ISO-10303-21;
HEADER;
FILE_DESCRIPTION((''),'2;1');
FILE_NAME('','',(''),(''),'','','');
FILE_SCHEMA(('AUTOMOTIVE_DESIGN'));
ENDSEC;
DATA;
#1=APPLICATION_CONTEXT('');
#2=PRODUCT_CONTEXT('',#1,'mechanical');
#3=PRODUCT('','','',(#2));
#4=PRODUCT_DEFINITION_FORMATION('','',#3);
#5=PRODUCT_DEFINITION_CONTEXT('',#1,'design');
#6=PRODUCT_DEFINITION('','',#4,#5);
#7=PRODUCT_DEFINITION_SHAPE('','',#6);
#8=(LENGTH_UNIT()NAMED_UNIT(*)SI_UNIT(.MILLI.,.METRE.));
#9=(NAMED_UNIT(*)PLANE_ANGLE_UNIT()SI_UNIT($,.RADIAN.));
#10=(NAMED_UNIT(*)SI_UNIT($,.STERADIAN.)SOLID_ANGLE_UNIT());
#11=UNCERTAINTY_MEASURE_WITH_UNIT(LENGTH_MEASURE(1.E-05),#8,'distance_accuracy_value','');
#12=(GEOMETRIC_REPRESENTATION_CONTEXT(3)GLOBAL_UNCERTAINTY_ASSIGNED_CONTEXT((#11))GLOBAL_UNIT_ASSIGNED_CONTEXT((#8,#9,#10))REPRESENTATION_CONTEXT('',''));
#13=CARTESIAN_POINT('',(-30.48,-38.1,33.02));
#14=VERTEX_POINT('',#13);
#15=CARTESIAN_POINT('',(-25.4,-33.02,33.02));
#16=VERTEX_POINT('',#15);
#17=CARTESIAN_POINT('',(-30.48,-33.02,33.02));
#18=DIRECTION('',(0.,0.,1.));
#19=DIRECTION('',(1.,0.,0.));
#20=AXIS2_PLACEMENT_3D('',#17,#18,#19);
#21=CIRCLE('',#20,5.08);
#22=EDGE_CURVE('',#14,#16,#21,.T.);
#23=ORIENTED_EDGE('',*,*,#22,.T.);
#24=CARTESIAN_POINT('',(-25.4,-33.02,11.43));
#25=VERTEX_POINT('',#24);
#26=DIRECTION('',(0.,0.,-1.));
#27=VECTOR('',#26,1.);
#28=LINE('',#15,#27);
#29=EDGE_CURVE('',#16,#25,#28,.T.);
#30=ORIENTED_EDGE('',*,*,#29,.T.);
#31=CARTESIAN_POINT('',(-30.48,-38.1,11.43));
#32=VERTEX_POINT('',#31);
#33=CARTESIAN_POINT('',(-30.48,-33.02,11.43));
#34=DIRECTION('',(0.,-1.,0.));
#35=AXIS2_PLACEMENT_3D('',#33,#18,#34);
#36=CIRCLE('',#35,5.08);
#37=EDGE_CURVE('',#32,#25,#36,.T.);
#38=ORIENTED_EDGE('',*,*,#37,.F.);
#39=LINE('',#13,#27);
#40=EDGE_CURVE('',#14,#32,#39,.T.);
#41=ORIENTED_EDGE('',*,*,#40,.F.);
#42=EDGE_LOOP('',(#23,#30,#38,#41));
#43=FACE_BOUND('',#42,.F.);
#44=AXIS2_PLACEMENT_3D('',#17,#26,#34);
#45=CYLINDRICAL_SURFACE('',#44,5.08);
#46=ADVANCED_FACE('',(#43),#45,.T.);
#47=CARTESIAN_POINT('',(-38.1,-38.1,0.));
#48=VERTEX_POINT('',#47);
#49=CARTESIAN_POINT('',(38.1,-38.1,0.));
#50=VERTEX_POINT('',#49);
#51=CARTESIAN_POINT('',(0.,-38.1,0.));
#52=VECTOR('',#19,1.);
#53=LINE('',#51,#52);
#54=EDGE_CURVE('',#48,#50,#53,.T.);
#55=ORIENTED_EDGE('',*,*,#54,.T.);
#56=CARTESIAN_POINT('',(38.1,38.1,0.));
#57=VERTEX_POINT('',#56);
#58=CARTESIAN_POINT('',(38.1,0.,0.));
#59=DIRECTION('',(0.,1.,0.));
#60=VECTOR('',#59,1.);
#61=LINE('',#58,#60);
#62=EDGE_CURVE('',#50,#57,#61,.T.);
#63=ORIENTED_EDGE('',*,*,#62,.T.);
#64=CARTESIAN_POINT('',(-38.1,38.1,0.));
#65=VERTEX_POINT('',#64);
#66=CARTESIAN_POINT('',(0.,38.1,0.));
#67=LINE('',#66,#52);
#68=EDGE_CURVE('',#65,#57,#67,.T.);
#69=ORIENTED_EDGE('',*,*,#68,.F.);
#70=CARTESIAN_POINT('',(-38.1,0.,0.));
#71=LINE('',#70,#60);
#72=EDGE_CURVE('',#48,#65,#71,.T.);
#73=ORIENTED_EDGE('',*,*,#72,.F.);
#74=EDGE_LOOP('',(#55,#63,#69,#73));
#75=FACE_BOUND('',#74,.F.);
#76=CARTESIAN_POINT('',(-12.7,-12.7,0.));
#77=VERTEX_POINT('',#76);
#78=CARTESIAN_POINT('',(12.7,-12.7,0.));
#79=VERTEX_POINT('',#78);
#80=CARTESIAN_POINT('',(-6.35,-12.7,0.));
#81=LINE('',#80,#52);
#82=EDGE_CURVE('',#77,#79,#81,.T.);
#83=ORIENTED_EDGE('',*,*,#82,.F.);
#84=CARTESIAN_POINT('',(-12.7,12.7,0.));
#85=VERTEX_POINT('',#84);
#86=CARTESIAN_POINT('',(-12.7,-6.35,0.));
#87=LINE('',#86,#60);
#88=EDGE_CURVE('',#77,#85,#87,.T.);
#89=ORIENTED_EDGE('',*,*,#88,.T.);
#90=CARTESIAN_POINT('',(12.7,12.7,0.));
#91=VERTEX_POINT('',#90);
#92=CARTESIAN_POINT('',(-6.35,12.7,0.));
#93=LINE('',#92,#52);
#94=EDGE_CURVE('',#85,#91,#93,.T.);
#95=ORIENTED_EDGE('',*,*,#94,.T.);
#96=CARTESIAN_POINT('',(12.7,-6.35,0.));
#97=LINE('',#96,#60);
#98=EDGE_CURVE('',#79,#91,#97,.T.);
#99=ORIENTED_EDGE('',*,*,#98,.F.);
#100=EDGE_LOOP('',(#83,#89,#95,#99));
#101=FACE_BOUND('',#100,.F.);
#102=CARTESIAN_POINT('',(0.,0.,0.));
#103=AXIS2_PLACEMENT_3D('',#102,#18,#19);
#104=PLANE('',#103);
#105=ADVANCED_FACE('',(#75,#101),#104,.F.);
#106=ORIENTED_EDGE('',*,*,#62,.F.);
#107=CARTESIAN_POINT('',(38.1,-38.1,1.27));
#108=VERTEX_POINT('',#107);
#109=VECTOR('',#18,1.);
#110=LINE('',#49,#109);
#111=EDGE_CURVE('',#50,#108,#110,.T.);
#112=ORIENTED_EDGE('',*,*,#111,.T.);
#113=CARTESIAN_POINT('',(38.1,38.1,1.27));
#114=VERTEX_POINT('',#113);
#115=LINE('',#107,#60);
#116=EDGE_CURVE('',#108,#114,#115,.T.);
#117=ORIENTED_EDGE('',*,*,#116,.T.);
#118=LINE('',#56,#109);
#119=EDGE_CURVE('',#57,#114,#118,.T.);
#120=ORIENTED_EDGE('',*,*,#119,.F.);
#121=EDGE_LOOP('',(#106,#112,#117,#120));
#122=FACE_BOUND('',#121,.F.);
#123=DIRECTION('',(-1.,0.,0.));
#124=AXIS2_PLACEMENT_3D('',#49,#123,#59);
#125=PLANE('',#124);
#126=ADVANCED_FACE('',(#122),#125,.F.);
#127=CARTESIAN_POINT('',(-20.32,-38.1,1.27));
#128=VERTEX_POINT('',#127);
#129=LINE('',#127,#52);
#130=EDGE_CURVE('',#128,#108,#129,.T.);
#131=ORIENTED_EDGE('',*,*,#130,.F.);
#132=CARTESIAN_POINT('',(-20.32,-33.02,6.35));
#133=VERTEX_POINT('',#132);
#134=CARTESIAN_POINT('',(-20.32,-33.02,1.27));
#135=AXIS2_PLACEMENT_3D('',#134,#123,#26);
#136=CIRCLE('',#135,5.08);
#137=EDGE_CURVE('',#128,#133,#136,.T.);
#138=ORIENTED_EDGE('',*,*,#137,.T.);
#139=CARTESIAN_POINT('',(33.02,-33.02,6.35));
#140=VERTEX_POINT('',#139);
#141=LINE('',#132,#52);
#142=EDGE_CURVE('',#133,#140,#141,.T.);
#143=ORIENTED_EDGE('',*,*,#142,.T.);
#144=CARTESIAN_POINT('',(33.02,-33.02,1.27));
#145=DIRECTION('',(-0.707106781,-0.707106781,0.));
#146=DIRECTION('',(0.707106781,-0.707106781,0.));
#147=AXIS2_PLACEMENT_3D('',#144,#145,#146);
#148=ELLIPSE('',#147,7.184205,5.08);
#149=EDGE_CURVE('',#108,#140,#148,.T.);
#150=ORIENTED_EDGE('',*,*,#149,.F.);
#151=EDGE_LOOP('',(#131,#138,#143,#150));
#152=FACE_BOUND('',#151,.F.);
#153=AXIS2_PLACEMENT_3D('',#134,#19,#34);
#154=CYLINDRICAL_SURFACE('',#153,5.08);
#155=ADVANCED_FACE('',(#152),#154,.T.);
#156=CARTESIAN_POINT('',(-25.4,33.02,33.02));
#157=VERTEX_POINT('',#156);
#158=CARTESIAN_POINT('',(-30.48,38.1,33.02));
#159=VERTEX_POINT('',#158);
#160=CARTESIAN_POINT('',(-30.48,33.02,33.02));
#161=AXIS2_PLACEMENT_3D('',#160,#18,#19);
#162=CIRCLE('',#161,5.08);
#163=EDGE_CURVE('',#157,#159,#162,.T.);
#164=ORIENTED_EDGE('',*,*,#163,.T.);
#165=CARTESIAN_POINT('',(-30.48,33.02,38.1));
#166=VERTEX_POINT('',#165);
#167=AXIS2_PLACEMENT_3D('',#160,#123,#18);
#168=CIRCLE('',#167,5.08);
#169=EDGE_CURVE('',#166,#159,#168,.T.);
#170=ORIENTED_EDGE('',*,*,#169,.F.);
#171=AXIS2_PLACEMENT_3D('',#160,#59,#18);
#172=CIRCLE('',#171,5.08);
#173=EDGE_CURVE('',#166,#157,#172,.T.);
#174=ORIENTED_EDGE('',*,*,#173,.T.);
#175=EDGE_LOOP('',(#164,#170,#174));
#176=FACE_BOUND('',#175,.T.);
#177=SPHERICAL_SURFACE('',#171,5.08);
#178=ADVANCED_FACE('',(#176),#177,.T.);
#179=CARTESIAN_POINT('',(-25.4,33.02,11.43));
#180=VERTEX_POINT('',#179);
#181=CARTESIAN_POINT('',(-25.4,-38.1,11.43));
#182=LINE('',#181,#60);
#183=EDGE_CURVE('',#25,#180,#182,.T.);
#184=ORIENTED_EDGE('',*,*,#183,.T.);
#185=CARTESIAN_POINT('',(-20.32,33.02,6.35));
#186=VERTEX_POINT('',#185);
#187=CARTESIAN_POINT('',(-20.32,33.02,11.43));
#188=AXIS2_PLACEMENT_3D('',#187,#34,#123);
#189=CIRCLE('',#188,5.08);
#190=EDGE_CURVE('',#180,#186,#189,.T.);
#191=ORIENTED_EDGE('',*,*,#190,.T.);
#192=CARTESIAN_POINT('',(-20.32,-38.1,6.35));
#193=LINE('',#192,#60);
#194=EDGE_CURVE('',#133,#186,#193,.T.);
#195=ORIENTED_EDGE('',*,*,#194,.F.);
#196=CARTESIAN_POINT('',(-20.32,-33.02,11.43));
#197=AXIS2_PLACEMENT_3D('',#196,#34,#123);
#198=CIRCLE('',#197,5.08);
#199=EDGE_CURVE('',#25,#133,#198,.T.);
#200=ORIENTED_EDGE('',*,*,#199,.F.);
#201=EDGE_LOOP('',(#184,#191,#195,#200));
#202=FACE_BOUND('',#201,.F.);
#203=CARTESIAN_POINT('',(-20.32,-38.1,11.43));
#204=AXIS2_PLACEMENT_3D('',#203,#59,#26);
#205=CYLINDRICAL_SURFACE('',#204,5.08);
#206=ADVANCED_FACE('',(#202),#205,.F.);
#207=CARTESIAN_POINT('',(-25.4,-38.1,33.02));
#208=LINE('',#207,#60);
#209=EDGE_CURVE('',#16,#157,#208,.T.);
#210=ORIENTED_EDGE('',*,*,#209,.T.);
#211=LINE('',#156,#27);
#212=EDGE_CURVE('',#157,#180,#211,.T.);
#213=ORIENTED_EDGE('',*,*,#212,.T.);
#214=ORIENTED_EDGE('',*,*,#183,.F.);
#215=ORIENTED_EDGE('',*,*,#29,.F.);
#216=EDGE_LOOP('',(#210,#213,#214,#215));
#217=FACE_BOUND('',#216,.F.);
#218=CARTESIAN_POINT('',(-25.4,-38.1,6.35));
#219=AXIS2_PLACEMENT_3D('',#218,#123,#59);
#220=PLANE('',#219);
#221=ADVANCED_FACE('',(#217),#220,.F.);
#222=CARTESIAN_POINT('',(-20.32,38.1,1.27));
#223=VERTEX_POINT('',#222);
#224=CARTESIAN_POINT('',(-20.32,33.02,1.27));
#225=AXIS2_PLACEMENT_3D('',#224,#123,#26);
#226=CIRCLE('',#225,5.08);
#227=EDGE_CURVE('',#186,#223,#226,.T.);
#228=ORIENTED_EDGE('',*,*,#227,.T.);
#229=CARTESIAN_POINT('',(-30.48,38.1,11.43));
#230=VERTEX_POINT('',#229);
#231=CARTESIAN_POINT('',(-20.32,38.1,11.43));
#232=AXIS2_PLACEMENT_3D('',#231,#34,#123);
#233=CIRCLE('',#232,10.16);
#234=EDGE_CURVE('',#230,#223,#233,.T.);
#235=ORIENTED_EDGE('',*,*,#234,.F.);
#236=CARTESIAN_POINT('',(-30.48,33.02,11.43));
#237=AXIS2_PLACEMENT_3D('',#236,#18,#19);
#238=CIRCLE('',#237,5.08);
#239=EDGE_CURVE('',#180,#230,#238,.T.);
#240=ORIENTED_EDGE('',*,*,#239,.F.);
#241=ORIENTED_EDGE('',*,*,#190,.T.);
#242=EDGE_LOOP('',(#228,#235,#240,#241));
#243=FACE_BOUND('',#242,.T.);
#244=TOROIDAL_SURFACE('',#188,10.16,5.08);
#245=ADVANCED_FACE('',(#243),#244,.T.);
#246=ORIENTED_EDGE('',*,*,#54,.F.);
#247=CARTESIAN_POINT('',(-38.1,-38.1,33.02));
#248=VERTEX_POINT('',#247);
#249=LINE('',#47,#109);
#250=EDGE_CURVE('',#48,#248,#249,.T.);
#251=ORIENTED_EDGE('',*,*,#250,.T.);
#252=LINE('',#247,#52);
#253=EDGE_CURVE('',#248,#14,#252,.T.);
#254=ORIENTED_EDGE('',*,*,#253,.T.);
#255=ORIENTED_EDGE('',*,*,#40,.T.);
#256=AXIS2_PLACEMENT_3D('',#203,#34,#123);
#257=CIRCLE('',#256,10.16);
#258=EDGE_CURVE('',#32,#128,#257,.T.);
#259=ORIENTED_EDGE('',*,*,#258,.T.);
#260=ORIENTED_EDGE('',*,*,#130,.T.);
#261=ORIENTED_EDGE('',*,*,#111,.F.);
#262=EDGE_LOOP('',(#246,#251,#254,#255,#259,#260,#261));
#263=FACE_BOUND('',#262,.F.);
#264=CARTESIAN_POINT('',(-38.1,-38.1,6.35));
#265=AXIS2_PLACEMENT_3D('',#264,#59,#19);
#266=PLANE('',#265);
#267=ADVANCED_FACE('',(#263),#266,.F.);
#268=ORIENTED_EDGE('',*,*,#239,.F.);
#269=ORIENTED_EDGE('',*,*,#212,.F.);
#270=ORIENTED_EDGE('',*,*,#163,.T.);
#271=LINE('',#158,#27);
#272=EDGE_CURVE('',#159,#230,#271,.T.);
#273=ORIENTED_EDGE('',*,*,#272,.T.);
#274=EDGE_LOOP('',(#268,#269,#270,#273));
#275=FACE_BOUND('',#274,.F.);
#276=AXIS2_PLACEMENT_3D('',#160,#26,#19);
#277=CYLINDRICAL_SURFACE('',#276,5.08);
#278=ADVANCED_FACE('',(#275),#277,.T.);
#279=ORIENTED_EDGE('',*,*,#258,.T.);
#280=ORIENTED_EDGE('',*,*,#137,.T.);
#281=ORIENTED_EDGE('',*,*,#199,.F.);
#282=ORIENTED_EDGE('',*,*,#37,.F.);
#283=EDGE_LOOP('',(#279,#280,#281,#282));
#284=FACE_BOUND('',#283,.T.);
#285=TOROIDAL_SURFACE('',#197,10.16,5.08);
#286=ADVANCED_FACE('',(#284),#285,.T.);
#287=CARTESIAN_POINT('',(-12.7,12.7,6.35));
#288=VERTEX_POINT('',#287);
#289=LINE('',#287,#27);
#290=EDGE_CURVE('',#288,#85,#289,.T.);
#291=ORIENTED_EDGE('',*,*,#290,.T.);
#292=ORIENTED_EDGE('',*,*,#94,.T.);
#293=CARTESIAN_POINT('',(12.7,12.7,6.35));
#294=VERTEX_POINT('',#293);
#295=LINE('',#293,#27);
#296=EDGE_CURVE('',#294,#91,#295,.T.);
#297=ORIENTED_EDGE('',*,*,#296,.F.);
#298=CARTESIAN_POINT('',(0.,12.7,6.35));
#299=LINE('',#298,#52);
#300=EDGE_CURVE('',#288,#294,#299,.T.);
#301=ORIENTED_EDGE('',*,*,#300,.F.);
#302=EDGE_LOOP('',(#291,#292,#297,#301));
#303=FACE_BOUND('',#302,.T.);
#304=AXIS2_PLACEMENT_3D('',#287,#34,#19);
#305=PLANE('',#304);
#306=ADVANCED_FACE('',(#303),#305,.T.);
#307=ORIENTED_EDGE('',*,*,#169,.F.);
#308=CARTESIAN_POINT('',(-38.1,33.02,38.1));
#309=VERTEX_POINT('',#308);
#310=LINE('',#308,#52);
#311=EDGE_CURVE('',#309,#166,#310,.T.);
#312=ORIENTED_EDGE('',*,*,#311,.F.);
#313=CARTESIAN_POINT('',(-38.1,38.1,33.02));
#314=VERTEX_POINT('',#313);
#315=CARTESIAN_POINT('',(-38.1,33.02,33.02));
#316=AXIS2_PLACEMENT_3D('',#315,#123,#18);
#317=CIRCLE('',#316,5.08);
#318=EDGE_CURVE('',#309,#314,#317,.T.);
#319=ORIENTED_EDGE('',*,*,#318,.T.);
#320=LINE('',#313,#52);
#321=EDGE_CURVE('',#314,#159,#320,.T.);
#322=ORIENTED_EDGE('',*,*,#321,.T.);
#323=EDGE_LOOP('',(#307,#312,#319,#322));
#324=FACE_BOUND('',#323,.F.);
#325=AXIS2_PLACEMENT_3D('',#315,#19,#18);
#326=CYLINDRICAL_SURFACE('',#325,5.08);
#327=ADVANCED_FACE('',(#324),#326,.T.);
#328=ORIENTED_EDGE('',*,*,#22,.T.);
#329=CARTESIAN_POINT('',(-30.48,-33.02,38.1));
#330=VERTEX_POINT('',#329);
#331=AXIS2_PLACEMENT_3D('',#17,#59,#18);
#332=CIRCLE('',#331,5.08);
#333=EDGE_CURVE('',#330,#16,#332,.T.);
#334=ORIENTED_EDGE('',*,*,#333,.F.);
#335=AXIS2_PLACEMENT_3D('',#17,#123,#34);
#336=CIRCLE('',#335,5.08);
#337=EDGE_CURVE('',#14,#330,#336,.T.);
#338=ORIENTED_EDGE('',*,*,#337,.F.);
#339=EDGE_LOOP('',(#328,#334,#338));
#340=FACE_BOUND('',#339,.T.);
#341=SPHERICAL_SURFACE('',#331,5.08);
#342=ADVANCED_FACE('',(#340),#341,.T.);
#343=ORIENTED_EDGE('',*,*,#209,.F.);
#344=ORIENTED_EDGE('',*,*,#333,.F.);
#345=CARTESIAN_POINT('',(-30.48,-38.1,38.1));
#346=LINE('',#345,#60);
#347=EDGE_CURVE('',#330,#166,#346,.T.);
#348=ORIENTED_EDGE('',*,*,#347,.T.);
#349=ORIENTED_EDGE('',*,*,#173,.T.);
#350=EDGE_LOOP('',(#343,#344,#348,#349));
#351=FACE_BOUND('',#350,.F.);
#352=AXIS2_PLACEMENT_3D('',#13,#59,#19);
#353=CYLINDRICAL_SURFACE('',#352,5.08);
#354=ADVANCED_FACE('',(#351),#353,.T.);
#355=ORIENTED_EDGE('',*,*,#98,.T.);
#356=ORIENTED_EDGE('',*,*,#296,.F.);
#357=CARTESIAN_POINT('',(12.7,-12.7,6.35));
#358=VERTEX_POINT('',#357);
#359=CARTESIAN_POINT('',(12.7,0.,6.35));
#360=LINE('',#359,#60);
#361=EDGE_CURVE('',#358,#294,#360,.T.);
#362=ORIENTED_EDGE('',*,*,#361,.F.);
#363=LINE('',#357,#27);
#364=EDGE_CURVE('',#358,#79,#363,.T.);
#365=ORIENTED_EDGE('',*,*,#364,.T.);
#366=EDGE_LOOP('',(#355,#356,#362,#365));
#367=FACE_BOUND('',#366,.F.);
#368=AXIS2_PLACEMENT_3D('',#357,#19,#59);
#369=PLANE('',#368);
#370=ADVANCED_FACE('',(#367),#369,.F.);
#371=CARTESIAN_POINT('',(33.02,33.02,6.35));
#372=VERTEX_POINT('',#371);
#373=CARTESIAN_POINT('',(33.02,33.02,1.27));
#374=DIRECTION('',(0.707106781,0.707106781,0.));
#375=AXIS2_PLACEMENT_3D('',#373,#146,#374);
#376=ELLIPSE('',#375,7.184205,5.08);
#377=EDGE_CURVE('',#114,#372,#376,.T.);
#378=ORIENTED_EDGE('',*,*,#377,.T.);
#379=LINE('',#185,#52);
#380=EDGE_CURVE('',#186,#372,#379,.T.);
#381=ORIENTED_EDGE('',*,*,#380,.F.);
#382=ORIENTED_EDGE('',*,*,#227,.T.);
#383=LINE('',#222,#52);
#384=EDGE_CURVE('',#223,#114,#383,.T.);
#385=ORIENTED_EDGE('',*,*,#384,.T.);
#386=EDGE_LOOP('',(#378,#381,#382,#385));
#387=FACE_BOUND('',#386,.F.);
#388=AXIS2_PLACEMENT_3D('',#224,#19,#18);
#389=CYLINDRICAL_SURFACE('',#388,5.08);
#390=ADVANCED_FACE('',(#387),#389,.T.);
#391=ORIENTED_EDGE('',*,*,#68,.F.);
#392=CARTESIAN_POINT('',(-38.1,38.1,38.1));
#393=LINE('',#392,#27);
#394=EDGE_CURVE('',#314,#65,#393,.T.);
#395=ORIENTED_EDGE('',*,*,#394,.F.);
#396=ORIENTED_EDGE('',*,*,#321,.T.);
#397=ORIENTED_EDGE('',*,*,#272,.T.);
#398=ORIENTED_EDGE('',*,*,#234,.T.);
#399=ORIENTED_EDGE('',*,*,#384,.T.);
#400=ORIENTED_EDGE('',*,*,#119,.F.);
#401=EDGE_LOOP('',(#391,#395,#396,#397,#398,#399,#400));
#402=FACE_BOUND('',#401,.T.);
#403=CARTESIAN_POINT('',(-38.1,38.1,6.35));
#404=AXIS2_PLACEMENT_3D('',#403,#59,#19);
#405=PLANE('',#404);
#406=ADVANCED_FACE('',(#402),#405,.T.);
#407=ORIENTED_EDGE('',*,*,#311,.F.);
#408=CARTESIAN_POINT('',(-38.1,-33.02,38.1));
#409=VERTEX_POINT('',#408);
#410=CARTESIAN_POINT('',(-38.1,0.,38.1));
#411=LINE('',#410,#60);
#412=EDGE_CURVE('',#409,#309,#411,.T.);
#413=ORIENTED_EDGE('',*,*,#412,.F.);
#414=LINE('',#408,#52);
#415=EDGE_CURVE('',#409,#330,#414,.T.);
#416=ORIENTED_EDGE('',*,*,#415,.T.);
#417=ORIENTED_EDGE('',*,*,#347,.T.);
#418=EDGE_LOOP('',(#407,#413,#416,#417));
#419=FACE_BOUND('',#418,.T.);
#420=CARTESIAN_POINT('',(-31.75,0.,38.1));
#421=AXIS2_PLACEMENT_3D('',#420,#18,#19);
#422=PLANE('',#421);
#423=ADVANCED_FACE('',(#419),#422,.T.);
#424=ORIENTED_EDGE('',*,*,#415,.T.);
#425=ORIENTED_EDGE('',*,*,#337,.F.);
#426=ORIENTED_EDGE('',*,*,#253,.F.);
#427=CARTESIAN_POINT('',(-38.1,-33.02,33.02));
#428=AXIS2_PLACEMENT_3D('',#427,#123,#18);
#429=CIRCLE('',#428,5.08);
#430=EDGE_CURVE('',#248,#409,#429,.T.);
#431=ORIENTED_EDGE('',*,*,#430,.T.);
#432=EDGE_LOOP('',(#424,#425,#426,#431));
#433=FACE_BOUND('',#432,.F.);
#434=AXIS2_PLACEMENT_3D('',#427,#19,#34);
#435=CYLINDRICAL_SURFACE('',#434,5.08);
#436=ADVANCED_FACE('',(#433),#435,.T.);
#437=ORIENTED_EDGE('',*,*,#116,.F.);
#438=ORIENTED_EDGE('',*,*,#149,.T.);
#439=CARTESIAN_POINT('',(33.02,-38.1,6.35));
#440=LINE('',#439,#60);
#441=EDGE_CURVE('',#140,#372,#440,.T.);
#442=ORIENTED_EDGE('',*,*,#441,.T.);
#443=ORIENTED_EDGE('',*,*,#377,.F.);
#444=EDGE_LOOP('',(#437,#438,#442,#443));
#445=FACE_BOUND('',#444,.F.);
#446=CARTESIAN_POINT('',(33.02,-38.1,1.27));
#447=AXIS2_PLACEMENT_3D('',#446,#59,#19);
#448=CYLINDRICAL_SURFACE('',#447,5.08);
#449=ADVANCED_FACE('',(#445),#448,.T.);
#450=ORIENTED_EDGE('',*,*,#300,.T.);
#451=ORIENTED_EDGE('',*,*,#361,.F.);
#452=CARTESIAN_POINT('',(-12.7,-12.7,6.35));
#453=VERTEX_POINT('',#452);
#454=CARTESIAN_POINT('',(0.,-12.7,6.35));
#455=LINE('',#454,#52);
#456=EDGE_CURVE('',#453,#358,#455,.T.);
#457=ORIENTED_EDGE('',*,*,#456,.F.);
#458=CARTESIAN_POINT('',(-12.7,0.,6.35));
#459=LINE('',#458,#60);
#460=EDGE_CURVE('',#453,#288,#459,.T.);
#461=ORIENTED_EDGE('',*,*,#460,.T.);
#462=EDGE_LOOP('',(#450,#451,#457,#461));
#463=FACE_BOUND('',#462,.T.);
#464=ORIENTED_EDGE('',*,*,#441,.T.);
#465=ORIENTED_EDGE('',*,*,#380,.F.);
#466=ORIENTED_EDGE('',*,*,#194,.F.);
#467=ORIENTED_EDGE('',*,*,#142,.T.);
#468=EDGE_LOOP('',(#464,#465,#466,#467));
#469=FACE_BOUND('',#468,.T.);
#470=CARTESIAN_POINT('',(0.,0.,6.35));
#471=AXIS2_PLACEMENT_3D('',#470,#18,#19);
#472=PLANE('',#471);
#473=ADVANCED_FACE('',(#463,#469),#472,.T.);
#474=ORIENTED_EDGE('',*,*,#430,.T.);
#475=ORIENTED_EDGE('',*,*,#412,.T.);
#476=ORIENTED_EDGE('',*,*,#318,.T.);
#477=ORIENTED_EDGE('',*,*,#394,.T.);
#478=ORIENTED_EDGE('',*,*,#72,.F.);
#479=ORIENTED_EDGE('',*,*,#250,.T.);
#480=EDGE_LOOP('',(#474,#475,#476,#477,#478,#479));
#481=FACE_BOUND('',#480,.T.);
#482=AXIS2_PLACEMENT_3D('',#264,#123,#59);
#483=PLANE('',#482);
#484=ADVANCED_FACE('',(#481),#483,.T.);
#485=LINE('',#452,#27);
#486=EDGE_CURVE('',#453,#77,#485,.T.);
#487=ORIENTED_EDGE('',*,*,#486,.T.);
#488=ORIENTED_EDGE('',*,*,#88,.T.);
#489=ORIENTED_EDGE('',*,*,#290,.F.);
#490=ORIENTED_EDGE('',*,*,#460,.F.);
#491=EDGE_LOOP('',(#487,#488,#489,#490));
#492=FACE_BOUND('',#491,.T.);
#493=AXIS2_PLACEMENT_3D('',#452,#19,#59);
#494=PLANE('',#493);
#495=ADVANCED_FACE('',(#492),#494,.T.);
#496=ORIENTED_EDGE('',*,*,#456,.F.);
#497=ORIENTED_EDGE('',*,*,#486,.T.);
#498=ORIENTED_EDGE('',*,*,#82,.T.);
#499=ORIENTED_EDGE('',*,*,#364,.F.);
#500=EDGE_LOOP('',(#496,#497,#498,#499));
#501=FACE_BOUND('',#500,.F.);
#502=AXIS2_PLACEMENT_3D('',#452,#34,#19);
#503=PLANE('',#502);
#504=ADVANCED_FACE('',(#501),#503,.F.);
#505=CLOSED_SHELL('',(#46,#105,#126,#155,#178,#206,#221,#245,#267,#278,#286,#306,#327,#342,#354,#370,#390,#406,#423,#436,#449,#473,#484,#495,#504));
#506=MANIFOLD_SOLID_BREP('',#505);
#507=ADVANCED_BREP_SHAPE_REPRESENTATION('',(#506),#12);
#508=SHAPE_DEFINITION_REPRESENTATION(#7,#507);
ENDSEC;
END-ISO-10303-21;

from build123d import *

# Parameters (mm, degrees)
F0_W     = 76.2
F0_H     = 76.2
F1_DEPTH = 6.35
F2_W     = 25.4
F2_H     = 25.4
F3_DEPTH = 25.4
F4_W     = 12.7
F4_H     = 76.2
F5_DEPTH = 31.75
F6_R     = 5.08
F7_R     = 5.08


with BuildPart() as f1:
    # F0 (on Top) → F1 (new body)
    with BuildSketch(Plane.XY):
        Rectangle(F0_W, F0_H)
    extrude(amount=F1_DEPTH)

    # F2 (on face) → F3 (cut)
    with BuildSketch(Plane.XY.offset(6.35)):
        Rectangle(F2_W, F2_H)
    extrude(amount=-F3_DEPTH, mode=Mode.SUBTRACT)

    # F4 (on face) → F5 (join)
    with BuildSketch(Plane.XY.offset(6.35)):
        with Locations((-31.75, 0)):
            Rectangle(F4_W, F4_H)
    extrude(amount=F5_DEPTH)

    # F6
    f6_edges = [f1.edges().sort_by_distance(p)[0] for p in [
        (-25.4, 0, 38.1),
        (-25.4, 0, 6.35),
    ]]
    fillet(f6_edges, radius=F6_R)

    # F7
    f7_edges = [f1.edges().sort_by_distance(p)[0] for p in [
        (8.89, -38.1, 6.35),
        (38.1, 0, 6.35),
        (8.89, 38.1, 6.35),
    ]]
    fillet(f7_edges, radius=F7_R)


solid = f1.part
